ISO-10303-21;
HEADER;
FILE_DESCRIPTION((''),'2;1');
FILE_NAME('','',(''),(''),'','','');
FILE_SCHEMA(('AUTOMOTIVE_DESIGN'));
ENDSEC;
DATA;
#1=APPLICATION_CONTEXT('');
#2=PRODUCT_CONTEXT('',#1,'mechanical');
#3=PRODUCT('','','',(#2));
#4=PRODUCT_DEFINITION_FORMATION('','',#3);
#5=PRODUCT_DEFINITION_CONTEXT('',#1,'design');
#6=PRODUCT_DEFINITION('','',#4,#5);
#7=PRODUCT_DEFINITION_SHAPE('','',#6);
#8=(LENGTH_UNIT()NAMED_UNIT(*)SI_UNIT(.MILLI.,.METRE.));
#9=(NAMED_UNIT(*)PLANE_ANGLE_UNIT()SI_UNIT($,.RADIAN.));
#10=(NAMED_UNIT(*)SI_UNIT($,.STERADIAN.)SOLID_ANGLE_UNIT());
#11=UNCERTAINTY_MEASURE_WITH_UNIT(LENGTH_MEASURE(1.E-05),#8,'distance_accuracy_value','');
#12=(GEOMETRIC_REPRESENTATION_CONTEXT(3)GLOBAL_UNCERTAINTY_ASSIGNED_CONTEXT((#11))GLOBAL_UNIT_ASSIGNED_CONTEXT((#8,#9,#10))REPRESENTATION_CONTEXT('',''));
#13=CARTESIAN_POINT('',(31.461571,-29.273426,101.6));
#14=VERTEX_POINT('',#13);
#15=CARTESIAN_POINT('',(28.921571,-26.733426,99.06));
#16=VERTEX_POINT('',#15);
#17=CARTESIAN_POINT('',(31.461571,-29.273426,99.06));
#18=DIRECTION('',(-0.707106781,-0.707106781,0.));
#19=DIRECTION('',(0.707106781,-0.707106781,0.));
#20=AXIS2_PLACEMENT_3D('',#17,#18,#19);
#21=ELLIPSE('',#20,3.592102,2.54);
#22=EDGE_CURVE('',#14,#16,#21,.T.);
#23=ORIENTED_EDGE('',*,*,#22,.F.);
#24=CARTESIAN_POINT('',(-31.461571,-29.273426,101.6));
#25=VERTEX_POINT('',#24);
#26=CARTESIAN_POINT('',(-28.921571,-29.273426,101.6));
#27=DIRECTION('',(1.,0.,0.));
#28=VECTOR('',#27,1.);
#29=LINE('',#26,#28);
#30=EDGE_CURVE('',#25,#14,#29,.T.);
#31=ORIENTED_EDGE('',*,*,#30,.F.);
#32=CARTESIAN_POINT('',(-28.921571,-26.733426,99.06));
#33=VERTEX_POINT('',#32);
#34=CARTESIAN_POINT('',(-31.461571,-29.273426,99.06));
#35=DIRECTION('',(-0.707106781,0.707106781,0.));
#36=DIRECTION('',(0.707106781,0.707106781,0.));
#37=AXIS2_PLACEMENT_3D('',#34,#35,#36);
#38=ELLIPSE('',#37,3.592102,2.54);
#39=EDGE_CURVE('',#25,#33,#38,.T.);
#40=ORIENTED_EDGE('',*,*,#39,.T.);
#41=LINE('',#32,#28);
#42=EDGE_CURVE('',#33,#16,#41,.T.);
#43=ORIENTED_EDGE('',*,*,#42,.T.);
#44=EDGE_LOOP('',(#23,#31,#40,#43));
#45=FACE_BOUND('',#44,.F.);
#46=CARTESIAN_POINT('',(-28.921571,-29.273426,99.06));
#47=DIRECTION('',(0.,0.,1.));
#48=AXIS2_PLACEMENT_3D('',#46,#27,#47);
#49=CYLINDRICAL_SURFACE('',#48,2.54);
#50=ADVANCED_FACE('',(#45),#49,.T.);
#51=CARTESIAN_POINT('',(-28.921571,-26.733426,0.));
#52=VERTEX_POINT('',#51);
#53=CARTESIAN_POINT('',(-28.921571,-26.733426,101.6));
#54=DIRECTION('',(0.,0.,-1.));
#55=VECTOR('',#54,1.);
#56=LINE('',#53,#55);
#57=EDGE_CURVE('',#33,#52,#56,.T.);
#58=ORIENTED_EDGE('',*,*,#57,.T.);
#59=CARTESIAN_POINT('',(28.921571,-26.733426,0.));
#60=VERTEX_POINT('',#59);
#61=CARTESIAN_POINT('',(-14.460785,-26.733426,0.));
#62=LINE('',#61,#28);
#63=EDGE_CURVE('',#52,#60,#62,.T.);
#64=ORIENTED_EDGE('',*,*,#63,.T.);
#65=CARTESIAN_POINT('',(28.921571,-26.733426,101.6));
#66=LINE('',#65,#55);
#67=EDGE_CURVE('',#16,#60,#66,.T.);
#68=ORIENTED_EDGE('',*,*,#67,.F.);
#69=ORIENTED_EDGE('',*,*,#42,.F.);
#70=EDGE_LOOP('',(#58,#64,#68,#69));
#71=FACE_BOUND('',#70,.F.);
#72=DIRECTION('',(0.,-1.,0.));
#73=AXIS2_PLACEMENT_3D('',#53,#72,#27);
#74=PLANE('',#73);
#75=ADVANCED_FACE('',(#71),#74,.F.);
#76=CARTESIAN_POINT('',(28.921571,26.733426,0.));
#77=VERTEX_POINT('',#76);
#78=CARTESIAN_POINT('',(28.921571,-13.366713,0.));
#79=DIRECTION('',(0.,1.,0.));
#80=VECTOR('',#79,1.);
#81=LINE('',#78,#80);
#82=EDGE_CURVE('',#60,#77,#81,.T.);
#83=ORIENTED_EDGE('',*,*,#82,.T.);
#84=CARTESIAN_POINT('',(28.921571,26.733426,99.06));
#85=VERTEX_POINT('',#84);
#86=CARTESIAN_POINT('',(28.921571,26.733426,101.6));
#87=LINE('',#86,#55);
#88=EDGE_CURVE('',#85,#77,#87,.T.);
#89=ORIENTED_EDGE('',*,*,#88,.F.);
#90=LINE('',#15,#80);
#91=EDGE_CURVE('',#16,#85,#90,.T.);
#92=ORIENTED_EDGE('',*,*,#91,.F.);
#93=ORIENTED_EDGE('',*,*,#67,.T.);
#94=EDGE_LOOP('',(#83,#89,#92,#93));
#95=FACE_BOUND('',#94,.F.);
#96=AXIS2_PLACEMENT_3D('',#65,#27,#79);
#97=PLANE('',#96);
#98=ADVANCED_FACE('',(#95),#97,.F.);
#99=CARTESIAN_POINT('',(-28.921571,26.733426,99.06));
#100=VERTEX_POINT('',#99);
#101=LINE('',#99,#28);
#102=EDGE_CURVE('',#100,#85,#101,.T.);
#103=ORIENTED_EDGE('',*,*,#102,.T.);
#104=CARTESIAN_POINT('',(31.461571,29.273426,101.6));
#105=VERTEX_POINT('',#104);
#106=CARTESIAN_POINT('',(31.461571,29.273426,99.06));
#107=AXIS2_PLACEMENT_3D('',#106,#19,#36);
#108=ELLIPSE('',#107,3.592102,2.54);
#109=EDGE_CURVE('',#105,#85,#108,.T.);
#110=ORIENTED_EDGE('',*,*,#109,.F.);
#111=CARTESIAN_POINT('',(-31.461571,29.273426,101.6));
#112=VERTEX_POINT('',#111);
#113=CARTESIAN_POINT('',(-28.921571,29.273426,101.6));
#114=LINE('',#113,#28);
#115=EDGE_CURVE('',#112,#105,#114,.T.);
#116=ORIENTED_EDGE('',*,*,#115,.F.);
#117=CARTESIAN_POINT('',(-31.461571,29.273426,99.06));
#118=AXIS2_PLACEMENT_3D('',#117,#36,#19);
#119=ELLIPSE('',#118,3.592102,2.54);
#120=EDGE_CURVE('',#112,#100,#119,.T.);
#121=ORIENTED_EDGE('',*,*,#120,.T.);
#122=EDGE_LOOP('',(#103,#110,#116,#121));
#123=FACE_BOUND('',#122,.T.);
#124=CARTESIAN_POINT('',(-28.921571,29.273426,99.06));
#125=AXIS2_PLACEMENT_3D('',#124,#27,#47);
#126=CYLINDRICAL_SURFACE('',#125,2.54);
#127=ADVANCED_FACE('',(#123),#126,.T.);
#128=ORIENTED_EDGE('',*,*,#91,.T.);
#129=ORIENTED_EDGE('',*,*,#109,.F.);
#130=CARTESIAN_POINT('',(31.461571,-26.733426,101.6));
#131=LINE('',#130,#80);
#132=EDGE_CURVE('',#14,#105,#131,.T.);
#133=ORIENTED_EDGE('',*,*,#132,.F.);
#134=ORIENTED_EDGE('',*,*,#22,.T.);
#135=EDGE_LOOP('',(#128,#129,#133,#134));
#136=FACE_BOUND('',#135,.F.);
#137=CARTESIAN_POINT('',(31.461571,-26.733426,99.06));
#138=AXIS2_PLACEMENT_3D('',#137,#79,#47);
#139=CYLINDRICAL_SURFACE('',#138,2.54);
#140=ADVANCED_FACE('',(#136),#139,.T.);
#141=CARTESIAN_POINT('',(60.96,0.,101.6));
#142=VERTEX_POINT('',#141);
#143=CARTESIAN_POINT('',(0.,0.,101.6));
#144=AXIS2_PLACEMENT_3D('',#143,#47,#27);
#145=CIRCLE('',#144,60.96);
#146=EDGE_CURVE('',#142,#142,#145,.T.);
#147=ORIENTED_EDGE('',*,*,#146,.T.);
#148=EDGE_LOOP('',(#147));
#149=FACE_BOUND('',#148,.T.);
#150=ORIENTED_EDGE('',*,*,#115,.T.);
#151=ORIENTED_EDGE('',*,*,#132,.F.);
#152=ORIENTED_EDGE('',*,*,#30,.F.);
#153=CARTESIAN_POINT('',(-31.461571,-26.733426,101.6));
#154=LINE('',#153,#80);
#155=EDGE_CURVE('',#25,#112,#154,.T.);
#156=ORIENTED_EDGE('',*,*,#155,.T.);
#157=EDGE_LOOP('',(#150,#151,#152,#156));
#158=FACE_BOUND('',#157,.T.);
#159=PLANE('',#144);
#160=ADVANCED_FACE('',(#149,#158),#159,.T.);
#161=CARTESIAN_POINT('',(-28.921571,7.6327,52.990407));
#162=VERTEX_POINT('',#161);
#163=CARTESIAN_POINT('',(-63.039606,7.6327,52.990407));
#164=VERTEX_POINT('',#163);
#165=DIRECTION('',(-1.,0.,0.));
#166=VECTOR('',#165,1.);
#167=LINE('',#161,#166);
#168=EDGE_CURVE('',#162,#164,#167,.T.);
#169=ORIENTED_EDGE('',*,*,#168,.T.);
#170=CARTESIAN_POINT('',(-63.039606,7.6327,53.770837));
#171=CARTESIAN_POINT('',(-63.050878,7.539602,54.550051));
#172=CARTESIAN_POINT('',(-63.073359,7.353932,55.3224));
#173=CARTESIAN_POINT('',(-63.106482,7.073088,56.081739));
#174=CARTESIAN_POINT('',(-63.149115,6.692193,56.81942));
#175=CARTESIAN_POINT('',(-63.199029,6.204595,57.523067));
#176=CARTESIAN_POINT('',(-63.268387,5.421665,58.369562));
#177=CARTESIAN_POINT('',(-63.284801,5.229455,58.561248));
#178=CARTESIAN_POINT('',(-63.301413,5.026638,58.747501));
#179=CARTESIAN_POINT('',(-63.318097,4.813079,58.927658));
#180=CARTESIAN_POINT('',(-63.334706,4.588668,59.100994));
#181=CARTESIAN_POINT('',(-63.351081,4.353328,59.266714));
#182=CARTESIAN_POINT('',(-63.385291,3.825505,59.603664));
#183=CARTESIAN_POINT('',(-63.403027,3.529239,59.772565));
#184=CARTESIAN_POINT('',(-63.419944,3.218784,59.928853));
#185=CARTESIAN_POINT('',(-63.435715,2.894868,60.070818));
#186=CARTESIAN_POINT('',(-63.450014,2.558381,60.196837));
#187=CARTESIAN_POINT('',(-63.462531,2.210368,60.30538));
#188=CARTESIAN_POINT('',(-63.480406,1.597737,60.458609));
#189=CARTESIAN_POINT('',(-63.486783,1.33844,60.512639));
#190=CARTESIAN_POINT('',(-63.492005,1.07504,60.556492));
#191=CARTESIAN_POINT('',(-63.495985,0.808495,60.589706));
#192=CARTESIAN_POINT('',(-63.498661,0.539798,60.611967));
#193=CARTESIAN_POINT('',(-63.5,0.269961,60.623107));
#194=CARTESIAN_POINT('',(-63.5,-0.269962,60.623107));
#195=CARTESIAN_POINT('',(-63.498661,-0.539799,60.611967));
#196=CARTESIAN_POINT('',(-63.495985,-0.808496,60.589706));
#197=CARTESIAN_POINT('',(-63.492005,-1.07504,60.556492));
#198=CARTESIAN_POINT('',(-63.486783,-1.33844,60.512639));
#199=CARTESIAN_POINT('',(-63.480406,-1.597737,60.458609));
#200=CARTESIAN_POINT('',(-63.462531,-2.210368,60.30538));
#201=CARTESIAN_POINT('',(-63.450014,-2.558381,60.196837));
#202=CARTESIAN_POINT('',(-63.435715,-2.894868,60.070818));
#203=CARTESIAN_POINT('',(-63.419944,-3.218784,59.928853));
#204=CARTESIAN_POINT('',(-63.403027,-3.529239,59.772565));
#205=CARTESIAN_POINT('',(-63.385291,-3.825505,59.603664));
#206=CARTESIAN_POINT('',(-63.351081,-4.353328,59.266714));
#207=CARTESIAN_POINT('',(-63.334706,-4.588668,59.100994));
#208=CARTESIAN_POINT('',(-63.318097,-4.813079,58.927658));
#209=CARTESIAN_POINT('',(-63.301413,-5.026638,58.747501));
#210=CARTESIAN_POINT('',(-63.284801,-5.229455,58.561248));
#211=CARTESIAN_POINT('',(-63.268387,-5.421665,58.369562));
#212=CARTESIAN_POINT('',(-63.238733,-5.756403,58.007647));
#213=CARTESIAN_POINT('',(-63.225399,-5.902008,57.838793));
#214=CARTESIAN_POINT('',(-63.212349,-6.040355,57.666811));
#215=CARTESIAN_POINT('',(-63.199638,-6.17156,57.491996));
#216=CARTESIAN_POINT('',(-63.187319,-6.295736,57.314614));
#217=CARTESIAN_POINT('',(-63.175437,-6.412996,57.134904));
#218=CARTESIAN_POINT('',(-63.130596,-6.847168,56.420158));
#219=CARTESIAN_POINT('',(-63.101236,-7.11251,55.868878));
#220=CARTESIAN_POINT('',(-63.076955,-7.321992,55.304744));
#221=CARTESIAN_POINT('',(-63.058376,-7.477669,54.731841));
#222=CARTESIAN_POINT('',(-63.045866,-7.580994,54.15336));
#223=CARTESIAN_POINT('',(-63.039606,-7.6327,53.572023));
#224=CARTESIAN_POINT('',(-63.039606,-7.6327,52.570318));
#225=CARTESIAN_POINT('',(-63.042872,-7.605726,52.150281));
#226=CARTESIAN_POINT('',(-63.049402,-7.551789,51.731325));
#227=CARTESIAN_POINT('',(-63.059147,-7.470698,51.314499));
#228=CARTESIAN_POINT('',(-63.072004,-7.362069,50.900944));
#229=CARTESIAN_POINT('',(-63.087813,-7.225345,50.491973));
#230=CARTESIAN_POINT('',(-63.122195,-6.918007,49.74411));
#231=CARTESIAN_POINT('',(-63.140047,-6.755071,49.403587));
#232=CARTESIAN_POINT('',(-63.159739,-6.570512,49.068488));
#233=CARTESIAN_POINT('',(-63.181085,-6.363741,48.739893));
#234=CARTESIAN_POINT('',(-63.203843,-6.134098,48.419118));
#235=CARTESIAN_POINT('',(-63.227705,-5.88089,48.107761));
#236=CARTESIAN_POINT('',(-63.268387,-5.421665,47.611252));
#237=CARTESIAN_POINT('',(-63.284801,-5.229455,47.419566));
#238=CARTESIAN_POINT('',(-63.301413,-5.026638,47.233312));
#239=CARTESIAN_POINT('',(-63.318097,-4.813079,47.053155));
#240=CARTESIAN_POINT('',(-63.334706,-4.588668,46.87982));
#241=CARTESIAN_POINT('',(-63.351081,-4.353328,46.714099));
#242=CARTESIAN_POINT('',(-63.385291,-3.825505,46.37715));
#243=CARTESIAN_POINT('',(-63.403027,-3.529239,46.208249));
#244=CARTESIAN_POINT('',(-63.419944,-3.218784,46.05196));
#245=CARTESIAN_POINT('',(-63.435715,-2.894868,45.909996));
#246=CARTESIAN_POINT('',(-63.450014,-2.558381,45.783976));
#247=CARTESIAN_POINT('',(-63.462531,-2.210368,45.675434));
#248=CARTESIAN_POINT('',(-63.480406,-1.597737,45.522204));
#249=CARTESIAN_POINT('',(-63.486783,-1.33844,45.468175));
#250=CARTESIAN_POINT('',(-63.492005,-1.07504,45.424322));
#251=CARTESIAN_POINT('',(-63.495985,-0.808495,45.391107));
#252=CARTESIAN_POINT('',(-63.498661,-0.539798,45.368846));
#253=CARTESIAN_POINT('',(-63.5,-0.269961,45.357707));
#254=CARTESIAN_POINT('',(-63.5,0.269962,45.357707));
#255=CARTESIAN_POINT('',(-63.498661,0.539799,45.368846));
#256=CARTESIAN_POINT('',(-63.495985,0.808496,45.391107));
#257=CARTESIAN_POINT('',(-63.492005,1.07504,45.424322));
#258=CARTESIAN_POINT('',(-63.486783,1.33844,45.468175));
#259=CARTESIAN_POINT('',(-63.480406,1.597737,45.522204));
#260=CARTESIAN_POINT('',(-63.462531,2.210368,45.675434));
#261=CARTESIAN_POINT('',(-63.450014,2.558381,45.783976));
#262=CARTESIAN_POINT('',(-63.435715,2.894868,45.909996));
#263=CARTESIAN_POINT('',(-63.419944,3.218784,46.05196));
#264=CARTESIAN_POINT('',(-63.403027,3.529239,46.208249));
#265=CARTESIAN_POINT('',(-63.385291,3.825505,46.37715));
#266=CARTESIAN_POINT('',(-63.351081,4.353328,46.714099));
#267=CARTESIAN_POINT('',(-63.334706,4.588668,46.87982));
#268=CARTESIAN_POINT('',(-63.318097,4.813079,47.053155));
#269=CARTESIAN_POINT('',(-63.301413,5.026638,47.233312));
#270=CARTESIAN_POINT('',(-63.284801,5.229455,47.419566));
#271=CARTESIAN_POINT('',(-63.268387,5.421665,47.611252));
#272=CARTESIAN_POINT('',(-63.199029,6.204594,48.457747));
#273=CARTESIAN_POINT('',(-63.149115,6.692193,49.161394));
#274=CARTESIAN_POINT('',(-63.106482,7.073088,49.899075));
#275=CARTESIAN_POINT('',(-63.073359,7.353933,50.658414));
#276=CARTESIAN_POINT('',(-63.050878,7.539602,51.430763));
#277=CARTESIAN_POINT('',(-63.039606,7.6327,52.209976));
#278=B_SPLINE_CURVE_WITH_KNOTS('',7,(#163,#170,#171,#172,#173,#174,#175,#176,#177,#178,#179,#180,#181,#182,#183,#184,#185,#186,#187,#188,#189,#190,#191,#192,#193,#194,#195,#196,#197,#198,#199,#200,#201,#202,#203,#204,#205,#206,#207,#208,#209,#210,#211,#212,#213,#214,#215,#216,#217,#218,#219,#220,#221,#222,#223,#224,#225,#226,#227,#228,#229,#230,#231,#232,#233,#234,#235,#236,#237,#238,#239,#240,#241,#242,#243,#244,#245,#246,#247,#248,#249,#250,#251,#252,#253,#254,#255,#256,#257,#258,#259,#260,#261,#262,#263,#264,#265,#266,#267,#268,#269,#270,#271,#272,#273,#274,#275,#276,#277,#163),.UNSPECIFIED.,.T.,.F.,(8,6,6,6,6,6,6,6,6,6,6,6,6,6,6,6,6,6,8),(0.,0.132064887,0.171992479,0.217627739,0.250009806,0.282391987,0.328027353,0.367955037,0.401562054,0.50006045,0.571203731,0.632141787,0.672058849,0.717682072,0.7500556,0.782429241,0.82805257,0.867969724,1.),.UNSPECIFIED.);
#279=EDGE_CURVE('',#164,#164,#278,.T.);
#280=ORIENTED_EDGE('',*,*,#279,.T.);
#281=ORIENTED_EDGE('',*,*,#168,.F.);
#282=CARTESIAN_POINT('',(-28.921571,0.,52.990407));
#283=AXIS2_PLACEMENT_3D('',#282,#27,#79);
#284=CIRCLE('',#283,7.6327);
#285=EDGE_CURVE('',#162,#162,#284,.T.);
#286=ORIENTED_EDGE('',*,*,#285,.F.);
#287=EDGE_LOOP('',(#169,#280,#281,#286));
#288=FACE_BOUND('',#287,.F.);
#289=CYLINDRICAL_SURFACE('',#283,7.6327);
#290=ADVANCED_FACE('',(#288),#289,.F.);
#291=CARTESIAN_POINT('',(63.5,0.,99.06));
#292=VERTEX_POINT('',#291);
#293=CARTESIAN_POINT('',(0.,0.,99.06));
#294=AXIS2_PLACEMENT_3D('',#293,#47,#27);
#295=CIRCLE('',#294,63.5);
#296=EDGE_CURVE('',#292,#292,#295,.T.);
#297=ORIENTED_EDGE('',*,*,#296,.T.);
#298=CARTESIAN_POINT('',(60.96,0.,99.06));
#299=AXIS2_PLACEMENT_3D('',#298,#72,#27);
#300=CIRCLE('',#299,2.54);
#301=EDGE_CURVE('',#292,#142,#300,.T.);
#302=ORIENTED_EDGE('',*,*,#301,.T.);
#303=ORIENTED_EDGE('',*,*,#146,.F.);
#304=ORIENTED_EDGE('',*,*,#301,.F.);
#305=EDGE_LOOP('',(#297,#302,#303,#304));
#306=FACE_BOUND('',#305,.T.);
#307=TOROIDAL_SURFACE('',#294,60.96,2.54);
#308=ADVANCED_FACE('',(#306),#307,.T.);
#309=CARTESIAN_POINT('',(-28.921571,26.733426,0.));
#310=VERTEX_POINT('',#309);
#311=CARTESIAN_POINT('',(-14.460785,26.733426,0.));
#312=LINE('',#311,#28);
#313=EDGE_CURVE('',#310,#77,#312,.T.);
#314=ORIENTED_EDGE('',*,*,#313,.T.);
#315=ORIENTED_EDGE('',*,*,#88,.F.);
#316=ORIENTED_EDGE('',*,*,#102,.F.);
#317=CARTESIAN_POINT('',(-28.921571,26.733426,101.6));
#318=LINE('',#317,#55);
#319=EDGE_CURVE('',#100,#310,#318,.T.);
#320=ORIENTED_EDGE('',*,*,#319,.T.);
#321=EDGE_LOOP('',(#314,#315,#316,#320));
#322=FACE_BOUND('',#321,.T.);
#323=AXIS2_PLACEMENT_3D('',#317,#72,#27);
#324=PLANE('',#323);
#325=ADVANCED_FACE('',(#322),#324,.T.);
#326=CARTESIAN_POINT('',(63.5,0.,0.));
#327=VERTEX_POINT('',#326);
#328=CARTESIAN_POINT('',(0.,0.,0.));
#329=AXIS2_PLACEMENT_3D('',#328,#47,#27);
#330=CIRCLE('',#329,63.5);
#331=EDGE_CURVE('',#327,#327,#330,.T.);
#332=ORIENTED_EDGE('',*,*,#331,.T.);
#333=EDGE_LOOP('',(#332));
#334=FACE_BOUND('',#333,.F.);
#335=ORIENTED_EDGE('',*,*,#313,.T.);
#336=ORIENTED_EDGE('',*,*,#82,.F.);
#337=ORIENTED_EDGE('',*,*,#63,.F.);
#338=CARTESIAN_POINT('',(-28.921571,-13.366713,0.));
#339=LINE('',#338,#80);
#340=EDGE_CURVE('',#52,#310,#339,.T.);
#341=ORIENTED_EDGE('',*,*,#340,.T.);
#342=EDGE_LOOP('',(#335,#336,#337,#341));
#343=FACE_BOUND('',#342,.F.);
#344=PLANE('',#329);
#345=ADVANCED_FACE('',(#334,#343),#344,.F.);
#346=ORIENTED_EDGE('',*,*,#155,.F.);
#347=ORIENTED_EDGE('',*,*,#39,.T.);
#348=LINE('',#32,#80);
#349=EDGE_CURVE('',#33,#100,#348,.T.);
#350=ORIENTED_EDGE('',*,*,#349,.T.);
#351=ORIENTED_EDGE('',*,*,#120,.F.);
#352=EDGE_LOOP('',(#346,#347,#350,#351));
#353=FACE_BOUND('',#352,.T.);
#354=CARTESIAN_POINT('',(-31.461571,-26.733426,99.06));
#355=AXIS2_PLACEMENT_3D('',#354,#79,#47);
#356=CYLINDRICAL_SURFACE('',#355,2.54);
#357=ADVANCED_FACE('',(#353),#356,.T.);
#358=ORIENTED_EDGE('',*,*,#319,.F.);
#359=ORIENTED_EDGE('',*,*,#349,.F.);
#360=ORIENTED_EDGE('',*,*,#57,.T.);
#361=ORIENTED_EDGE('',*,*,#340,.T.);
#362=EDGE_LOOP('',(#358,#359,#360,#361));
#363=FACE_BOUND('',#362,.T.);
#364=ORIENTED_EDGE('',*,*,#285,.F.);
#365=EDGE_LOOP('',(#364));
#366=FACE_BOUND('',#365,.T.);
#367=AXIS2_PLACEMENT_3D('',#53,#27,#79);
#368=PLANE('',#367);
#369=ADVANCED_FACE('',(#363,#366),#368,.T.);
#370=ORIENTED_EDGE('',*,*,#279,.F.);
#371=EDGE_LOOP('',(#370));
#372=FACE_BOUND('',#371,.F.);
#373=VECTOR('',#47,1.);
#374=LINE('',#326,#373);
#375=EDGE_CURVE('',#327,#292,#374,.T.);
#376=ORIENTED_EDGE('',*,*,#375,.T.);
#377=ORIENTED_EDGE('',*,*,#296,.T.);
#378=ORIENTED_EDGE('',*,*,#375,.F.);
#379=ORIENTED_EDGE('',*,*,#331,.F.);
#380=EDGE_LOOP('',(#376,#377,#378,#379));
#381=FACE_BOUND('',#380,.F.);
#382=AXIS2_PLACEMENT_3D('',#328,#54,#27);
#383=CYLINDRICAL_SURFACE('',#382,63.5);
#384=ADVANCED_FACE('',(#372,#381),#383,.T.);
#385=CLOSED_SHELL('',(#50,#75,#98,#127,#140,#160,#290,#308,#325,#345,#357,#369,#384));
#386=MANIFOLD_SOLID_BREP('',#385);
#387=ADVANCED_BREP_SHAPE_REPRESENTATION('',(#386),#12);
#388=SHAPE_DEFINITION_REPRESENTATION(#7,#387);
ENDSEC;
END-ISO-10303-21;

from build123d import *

# Parameters (mm, degrees)
F0_R     = 63.5
F1_DEPTH = 101.6
F2_W     = 57.8431412578
F2_H     = 53.4668527544
F3_DEPTH = 190.5
F4_R     = 2.54
F5_R     = 7.6327
F6_DEPTH = 57.912


with BuildPart() as f1:
    # F0 (on Top) → F1 (new body)
    with BuildSketch(Plane.XY):
        Circle(F0_R)
    extrude(amount=F1_DEPTH)

    # F2 (on face) → F3 (cut)
    with BuildSketch(Plane.XY.offset(101.6)):
        Rectangle(F2_W, F2_H)
    extrude(amount=-F3_DEPTH, mode=Mode.SUBTRACT)

    # F4
    f4_edges = [f1.edges().sort_by_distance(p)[0] for p in [
        (-63.5, 0, 101.6),
        (0, -26.733426, 101.6),
        (28.921571, 0, 101.6),
        (0, 26.733426, 101.6),
        (-28.921571, 0, 101.6),
    ]]
    fillet(f4_edges, radius=F4_R)

    # F5 (on face) → F6 (cut)
    with BuildSketch(Plane.YZ.offset(-28.9215706289)):
        with Locations((0, 52.9904067516)):
            Circle(F5_R)
    extrude(amount=-F6_DEPTH, mode=Mode.SUBTRACT)


solid = f1.part
